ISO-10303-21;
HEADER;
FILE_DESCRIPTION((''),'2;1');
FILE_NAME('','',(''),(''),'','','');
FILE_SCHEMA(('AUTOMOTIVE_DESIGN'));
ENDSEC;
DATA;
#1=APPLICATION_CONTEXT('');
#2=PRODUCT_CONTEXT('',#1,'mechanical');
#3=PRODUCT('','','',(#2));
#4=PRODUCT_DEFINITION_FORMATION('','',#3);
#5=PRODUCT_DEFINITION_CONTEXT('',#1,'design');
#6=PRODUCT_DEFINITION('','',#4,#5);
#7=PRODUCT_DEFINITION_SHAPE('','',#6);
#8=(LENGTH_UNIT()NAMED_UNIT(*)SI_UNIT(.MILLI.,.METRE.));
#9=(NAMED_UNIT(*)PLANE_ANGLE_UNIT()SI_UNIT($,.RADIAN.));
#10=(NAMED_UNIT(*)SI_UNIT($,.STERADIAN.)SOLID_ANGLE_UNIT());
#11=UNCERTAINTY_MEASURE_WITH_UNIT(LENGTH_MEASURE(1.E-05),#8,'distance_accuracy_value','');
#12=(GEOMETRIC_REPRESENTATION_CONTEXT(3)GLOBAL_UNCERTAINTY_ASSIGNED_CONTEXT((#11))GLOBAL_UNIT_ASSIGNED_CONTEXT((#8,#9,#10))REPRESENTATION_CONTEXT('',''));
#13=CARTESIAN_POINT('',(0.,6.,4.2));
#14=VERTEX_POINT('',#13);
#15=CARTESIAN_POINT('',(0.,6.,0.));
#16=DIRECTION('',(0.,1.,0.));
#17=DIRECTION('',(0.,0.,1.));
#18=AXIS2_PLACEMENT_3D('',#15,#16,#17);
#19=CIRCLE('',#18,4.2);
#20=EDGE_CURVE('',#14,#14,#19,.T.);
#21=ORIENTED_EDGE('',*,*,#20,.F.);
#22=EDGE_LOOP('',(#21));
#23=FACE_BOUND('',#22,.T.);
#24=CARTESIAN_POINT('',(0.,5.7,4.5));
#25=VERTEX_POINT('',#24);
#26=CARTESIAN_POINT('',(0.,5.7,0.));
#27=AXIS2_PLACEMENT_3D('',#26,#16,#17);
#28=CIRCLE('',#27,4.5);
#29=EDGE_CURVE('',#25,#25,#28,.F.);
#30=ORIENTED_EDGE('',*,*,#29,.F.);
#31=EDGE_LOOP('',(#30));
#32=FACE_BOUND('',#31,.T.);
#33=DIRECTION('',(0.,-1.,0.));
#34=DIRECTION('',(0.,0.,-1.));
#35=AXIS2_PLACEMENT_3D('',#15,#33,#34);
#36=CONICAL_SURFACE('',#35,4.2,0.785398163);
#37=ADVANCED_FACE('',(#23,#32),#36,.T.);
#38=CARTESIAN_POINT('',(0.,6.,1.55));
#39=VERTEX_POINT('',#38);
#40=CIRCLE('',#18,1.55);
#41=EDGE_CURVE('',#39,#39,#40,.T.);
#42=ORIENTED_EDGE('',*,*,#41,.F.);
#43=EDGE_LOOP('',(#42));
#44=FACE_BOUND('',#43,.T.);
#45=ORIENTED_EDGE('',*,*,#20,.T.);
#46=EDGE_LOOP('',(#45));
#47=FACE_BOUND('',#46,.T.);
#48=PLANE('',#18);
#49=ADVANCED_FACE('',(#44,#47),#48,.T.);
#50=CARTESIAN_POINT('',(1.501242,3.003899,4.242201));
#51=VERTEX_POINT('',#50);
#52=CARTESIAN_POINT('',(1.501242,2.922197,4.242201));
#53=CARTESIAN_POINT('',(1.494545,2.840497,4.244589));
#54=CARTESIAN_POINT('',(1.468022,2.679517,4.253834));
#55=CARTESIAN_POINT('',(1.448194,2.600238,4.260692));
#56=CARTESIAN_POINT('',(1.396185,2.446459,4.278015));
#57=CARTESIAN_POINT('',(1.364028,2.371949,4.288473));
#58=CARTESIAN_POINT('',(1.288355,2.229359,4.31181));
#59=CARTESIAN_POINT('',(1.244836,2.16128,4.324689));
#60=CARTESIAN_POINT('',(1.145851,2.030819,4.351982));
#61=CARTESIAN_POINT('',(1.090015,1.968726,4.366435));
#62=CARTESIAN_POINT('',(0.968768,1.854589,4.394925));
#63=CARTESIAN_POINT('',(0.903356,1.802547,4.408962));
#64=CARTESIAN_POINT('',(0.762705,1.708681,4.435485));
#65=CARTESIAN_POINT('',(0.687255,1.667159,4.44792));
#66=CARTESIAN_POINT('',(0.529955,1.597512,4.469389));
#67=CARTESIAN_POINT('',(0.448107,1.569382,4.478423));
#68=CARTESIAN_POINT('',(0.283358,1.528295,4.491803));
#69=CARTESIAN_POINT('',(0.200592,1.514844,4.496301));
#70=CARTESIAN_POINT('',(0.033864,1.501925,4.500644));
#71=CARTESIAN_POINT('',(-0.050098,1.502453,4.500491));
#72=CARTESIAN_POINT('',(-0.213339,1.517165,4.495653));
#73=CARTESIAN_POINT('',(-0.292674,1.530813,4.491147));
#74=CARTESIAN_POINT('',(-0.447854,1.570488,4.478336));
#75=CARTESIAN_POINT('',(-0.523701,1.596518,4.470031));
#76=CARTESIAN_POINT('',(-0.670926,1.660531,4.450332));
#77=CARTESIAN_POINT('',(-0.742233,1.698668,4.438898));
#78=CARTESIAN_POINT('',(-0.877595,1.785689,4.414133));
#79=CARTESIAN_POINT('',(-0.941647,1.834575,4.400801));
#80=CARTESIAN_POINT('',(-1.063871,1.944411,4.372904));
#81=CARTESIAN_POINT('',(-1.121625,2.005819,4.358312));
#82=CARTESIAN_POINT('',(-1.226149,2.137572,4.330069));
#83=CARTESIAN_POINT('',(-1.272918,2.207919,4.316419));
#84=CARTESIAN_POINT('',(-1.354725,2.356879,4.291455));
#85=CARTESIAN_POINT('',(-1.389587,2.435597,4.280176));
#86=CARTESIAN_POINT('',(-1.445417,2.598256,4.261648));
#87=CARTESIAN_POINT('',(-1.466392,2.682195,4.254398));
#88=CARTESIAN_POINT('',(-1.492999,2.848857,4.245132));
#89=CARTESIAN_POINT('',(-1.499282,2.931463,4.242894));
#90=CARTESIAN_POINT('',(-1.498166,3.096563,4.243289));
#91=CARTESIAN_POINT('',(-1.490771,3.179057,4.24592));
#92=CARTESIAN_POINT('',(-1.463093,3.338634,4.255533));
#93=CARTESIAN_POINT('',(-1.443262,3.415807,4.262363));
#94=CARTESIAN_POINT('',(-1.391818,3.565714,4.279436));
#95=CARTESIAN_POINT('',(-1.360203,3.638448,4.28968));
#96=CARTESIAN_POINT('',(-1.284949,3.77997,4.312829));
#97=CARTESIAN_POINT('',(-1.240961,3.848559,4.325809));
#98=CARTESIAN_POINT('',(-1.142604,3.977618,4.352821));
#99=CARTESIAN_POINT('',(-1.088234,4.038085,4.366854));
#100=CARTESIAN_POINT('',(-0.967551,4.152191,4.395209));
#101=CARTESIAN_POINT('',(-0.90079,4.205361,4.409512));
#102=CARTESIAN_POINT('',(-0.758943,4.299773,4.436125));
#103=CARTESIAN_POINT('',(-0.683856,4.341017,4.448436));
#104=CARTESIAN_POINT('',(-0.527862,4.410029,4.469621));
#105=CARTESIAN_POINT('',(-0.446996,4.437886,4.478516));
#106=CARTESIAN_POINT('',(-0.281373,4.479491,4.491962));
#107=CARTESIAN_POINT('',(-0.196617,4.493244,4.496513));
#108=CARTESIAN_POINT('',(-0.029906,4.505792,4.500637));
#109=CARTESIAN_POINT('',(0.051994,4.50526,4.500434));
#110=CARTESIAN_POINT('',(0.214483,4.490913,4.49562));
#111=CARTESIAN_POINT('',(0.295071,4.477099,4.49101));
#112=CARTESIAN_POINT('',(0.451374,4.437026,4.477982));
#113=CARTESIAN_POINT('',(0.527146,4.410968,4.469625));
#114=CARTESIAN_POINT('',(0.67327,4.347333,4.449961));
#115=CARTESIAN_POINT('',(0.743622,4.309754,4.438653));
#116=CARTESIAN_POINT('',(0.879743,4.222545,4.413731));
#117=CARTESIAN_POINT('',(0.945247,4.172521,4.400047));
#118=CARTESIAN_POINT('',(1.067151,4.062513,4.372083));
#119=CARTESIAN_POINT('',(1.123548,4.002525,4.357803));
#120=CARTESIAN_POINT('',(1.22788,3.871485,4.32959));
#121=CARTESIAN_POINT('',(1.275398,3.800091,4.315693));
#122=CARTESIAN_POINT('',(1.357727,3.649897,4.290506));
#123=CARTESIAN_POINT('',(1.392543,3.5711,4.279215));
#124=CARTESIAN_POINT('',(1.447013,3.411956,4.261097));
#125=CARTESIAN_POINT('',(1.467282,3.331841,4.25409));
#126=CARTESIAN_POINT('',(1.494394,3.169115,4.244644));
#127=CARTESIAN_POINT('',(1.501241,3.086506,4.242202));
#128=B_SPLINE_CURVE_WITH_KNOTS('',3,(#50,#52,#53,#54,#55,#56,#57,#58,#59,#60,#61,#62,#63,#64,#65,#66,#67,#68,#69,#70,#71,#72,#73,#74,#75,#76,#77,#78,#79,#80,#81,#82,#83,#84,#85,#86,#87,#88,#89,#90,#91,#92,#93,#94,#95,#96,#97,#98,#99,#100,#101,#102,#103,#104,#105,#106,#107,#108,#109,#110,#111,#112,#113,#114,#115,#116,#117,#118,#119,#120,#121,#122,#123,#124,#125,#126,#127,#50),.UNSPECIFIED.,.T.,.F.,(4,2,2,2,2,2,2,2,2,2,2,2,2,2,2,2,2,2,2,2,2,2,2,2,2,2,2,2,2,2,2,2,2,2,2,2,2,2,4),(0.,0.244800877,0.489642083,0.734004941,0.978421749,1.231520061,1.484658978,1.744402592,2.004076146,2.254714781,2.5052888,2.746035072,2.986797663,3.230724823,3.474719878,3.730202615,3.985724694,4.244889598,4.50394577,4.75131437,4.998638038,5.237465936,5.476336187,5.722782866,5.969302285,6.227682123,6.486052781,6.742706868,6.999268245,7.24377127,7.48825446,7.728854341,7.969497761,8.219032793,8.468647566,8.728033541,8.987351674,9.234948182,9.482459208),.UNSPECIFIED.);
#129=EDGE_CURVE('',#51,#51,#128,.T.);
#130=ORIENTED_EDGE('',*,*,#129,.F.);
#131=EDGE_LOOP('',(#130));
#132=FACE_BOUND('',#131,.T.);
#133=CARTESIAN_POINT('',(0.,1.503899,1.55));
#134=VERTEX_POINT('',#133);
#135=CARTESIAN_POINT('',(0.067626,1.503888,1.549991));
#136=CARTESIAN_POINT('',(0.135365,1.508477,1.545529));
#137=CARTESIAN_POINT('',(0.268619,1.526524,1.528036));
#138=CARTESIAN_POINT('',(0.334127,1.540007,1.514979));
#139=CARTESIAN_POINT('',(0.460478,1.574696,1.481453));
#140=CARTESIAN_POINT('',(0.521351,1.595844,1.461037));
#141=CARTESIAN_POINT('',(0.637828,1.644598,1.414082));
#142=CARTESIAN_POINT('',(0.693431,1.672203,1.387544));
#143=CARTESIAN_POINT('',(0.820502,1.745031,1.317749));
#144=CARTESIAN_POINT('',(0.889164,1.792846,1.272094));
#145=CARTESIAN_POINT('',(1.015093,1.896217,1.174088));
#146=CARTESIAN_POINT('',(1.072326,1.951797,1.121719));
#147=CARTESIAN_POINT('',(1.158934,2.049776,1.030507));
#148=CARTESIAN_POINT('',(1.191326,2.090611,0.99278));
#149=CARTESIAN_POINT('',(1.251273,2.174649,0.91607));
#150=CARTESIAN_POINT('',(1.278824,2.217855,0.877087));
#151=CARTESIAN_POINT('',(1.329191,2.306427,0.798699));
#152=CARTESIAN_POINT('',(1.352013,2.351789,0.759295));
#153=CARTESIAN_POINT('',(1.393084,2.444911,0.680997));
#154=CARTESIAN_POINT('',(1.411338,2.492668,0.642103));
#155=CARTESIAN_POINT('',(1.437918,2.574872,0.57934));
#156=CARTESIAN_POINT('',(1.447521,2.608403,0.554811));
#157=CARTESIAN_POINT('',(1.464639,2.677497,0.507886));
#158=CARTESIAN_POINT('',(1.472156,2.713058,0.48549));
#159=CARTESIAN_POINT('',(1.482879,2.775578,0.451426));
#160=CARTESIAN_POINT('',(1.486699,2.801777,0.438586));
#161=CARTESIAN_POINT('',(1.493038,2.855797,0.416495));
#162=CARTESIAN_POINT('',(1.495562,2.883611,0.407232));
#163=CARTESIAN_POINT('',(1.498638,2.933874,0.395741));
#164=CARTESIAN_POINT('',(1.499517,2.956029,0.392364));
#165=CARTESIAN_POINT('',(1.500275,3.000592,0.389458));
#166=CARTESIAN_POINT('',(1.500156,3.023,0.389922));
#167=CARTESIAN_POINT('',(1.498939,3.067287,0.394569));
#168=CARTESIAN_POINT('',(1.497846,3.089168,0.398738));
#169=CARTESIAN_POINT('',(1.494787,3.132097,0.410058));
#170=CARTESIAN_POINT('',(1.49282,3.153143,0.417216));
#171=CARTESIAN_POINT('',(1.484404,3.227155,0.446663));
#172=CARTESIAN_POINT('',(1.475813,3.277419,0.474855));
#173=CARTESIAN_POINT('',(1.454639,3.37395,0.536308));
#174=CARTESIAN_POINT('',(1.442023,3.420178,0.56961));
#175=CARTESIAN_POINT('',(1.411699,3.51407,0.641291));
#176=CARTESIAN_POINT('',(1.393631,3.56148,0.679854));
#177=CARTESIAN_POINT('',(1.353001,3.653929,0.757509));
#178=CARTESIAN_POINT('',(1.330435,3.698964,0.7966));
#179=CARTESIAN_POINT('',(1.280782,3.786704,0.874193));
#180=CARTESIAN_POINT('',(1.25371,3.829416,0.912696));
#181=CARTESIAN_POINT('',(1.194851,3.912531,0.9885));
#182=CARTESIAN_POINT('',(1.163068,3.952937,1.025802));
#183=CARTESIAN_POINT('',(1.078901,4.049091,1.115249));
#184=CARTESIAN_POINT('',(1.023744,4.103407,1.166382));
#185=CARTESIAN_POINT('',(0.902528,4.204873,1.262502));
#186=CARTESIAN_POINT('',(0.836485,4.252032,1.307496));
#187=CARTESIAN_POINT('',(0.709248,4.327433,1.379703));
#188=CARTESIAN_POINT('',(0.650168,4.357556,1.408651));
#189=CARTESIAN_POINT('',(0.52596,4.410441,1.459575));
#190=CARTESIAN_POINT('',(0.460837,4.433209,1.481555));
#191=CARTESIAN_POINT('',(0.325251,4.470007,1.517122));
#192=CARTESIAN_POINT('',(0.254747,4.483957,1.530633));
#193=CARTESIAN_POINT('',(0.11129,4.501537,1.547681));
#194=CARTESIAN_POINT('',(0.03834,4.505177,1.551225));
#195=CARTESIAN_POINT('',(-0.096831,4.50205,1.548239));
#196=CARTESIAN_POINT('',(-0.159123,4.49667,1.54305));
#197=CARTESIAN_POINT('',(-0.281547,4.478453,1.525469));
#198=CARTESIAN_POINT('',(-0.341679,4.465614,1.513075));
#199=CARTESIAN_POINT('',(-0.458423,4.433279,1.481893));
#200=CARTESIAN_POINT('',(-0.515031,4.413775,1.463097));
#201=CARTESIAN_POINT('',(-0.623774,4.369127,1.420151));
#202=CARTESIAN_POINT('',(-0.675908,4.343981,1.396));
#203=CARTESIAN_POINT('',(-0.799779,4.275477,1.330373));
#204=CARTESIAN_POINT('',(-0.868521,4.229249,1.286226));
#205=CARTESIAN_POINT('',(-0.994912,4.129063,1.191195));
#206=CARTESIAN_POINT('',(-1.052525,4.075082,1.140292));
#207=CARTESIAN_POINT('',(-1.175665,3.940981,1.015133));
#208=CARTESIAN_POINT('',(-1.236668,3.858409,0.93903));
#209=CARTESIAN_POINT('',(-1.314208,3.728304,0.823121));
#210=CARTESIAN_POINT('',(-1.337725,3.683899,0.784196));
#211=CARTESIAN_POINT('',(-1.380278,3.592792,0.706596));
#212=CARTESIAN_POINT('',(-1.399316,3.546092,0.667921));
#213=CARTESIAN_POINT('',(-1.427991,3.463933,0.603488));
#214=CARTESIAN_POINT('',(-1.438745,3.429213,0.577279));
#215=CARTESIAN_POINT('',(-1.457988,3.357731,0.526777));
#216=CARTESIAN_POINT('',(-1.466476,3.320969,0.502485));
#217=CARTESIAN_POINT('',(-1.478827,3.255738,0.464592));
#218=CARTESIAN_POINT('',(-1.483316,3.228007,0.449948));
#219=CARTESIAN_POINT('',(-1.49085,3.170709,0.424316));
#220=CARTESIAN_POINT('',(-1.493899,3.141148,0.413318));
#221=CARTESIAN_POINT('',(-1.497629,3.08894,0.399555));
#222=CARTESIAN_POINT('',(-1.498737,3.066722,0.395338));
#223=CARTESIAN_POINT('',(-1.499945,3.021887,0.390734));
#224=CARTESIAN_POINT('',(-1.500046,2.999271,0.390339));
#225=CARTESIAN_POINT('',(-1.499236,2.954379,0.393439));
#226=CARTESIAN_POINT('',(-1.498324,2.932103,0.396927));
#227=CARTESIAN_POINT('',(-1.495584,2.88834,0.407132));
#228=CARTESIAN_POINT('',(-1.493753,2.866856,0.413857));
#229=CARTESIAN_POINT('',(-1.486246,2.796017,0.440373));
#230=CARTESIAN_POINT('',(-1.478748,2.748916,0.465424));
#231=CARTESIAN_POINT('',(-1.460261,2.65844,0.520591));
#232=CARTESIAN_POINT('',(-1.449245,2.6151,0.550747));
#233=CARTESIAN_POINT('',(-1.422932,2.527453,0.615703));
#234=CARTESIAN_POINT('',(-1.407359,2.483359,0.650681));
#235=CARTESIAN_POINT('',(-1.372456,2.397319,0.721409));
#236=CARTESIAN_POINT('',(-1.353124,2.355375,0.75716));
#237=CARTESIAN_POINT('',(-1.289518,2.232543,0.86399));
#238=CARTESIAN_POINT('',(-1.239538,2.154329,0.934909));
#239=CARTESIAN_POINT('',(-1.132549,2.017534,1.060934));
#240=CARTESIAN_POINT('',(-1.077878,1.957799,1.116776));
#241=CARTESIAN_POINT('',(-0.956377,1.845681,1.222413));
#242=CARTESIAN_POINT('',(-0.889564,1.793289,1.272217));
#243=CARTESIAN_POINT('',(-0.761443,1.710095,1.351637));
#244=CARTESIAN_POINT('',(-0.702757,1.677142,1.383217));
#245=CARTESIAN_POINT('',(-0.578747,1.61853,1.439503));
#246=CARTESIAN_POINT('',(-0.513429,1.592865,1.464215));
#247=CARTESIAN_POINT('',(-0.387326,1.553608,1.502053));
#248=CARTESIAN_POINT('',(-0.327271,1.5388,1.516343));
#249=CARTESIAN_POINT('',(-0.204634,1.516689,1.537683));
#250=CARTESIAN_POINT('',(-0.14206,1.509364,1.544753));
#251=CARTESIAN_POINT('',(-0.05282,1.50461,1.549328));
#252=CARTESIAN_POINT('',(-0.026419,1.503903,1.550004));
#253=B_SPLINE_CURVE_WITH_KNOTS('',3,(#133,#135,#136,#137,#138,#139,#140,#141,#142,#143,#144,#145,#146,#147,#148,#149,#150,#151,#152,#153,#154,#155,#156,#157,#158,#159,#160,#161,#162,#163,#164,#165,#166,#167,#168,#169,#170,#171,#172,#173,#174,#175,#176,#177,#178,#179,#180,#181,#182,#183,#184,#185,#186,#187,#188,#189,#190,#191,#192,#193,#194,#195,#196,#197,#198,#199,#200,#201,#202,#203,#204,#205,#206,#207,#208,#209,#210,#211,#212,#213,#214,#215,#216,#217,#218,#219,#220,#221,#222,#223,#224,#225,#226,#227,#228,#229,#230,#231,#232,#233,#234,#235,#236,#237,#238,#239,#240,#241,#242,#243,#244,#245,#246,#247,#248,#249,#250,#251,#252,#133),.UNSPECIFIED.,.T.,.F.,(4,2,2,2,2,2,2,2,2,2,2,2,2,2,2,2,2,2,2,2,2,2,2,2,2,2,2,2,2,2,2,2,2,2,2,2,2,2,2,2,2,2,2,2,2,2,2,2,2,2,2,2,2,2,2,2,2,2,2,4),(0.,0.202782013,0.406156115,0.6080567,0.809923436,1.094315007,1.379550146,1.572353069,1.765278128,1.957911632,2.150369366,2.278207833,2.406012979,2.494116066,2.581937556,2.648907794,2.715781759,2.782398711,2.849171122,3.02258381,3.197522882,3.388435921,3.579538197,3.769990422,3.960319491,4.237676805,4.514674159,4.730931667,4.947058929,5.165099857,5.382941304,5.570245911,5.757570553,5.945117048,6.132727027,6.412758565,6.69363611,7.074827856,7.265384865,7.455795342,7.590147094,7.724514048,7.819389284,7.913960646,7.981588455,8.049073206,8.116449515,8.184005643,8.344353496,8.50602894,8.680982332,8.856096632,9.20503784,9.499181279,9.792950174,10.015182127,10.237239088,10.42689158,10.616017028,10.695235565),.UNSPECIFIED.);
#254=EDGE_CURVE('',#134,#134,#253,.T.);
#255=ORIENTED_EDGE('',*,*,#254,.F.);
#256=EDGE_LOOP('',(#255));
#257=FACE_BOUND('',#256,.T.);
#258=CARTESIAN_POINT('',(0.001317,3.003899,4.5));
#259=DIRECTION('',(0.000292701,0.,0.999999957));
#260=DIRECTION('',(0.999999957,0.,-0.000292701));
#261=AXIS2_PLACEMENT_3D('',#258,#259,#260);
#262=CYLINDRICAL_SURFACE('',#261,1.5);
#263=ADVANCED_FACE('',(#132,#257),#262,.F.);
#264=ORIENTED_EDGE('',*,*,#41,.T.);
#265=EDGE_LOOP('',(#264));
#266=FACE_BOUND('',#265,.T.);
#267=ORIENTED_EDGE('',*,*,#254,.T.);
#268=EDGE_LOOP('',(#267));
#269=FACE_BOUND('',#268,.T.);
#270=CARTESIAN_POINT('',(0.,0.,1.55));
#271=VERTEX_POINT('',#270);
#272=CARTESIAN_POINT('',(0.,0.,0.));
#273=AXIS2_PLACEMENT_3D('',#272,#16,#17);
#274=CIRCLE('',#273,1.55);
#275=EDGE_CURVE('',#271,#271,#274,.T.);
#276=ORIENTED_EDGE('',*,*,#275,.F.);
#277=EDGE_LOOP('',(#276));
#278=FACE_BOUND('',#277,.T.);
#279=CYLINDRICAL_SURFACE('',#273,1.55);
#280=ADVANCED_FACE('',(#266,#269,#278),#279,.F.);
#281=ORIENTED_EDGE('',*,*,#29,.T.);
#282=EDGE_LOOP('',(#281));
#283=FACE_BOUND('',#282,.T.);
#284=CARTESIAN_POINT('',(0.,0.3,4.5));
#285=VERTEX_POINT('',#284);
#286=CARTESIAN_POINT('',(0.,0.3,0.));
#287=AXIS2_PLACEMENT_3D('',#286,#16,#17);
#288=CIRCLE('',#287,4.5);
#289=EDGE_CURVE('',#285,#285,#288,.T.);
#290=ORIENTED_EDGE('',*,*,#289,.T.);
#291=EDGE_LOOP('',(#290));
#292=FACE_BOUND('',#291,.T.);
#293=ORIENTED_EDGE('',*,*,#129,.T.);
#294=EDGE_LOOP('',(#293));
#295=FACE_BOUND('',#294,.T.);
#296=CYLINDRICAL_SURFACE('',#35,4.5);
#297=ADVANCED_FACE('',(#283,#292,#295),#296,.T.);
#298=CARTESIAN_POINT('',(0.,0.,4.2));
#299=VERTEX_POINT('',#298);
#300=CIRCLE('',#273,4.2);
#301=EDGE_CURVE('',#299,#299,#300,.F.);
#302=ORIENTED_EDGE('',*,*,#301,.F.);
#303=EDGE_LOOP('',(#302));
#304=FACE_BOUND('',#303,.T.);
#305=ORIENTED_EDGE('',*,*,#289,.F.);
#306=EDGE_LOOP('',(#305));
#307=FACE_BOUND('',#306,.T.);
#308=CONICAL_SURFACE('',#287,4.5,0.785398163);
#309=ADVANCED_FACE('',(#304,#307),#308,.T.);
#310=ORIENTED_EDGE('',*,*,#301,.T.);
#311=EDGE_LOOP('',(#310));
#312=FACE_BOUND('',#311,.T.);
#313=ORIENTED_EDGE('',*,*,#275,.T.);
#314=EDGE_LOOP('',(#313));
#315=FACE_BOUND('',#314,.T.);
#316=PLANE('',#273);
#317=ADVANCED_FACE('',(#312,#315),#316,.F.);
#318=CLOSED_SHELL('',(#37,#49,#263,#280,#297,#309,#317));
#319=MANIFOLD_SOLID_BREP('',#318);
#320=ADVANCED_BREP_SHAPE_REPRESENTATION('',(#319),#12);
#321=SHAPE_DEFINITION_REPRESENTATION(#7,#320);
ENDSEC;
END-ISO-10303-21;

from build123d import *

# Parameters (mm, degrees)
CROQUIS1_R                                     = 4.5
SALIENTE_EXTRUIR1_DEPTH                        = 6
CHAFL_N1_SIZE                                  = 0.3
CHAFL_N2_SIZE                                  = 0.3
CROQUIS2_R                                     = 1.55
CORTAR_EXTRUIR2_DEPTH                          = 6
PERFORADOR_PARA_ROSCAR_HELICOIL_DE_M2_21_REACH = 12.502
PERFORADOR_PARA_ROSCAR_HELICOIL_DE_M_2_R       = 1.5


with BuildPart() as part:
    # Croquis1 → Saliente-Extruir1 (new body)
    with BuildSketch(Plane(origin=(0, 0, 0), x_dir=(1, 0, 0), z_dir=(0, 1, 0))):
        with Locations(Location((0, 0, 0), (0, 0, 270))):
            Circle(CROQUIS1_R)
    extrude(amount=SALIENTE_EXTRUIR1_DEPTH)

    # Chaflán1
    chafl_n1_edges = [part.edges().sort_by_distance(p)[0] for p in [
        (0, 6, -4.5),
    ]]
    chamfer(chafl_n1_edges, length=CHAFL_N1_SIZE)

    # Chaflán2
    chafl_n2_edges = [part.edges().sort_by_distance(p)[0] for p in [
        (0, 0, -4.5),
    ]]
    chamfer(chafl_n2_edges, length=CHAFL_N2_SIZE)

    # Croquis2 → Cortar-Extruir2 (cut)
    with BuildSketch(Plane(origin=(0, 6, 0), x_dir=(1, 0, 0), z_dir=(0, 1, 0))):
        with Locations(Location((0, 0, 0), (0, 0, 270))):
            Circle(CROQUIS2_R)
    extrude(amount=-CORTAR_EXTRUIR2_DEPTH, mode=Mode.SUBTRACT)

    # Perforador para roscar Helicoil de M 2 (on position points) → Perforador para roscar Helicoil de M2.21 (cut, up to next)
    with BuildSketch(Plane(origin=(0.001317156, 3.003898977, 4.499999807), x_dir=(0.999999957163, 0, -0.000292701404), z_dir=(0.000292701404, 0, 0.999999957163)), mode=Mode.PRIVATE) as perforador_para_roscar_helicoil_de_m2_21_sk1:
        Circle(PERFORADOR_PARA_ROSCAR_HELICOIL_DE_M_2_R)
    perforador_para_roscar_helicoil_de_m2_21_tool1 = extrude(perforador_para_roscar_helicoil_de_m2_21_sk1.sketch, amount=-PERFORADOR_PARA_ROSCAR_HELICOIL_DE_M2_21_REACH, mode=Mode.PRIVATE) & part.part
    add(perforador_para_roscar_helicoil_de_m2_21_tool1.solids().sort_by_distance((0.001317, 3.003899, 4.5))[0], mode=Mode.SUBTRACT)


solid = part.part
